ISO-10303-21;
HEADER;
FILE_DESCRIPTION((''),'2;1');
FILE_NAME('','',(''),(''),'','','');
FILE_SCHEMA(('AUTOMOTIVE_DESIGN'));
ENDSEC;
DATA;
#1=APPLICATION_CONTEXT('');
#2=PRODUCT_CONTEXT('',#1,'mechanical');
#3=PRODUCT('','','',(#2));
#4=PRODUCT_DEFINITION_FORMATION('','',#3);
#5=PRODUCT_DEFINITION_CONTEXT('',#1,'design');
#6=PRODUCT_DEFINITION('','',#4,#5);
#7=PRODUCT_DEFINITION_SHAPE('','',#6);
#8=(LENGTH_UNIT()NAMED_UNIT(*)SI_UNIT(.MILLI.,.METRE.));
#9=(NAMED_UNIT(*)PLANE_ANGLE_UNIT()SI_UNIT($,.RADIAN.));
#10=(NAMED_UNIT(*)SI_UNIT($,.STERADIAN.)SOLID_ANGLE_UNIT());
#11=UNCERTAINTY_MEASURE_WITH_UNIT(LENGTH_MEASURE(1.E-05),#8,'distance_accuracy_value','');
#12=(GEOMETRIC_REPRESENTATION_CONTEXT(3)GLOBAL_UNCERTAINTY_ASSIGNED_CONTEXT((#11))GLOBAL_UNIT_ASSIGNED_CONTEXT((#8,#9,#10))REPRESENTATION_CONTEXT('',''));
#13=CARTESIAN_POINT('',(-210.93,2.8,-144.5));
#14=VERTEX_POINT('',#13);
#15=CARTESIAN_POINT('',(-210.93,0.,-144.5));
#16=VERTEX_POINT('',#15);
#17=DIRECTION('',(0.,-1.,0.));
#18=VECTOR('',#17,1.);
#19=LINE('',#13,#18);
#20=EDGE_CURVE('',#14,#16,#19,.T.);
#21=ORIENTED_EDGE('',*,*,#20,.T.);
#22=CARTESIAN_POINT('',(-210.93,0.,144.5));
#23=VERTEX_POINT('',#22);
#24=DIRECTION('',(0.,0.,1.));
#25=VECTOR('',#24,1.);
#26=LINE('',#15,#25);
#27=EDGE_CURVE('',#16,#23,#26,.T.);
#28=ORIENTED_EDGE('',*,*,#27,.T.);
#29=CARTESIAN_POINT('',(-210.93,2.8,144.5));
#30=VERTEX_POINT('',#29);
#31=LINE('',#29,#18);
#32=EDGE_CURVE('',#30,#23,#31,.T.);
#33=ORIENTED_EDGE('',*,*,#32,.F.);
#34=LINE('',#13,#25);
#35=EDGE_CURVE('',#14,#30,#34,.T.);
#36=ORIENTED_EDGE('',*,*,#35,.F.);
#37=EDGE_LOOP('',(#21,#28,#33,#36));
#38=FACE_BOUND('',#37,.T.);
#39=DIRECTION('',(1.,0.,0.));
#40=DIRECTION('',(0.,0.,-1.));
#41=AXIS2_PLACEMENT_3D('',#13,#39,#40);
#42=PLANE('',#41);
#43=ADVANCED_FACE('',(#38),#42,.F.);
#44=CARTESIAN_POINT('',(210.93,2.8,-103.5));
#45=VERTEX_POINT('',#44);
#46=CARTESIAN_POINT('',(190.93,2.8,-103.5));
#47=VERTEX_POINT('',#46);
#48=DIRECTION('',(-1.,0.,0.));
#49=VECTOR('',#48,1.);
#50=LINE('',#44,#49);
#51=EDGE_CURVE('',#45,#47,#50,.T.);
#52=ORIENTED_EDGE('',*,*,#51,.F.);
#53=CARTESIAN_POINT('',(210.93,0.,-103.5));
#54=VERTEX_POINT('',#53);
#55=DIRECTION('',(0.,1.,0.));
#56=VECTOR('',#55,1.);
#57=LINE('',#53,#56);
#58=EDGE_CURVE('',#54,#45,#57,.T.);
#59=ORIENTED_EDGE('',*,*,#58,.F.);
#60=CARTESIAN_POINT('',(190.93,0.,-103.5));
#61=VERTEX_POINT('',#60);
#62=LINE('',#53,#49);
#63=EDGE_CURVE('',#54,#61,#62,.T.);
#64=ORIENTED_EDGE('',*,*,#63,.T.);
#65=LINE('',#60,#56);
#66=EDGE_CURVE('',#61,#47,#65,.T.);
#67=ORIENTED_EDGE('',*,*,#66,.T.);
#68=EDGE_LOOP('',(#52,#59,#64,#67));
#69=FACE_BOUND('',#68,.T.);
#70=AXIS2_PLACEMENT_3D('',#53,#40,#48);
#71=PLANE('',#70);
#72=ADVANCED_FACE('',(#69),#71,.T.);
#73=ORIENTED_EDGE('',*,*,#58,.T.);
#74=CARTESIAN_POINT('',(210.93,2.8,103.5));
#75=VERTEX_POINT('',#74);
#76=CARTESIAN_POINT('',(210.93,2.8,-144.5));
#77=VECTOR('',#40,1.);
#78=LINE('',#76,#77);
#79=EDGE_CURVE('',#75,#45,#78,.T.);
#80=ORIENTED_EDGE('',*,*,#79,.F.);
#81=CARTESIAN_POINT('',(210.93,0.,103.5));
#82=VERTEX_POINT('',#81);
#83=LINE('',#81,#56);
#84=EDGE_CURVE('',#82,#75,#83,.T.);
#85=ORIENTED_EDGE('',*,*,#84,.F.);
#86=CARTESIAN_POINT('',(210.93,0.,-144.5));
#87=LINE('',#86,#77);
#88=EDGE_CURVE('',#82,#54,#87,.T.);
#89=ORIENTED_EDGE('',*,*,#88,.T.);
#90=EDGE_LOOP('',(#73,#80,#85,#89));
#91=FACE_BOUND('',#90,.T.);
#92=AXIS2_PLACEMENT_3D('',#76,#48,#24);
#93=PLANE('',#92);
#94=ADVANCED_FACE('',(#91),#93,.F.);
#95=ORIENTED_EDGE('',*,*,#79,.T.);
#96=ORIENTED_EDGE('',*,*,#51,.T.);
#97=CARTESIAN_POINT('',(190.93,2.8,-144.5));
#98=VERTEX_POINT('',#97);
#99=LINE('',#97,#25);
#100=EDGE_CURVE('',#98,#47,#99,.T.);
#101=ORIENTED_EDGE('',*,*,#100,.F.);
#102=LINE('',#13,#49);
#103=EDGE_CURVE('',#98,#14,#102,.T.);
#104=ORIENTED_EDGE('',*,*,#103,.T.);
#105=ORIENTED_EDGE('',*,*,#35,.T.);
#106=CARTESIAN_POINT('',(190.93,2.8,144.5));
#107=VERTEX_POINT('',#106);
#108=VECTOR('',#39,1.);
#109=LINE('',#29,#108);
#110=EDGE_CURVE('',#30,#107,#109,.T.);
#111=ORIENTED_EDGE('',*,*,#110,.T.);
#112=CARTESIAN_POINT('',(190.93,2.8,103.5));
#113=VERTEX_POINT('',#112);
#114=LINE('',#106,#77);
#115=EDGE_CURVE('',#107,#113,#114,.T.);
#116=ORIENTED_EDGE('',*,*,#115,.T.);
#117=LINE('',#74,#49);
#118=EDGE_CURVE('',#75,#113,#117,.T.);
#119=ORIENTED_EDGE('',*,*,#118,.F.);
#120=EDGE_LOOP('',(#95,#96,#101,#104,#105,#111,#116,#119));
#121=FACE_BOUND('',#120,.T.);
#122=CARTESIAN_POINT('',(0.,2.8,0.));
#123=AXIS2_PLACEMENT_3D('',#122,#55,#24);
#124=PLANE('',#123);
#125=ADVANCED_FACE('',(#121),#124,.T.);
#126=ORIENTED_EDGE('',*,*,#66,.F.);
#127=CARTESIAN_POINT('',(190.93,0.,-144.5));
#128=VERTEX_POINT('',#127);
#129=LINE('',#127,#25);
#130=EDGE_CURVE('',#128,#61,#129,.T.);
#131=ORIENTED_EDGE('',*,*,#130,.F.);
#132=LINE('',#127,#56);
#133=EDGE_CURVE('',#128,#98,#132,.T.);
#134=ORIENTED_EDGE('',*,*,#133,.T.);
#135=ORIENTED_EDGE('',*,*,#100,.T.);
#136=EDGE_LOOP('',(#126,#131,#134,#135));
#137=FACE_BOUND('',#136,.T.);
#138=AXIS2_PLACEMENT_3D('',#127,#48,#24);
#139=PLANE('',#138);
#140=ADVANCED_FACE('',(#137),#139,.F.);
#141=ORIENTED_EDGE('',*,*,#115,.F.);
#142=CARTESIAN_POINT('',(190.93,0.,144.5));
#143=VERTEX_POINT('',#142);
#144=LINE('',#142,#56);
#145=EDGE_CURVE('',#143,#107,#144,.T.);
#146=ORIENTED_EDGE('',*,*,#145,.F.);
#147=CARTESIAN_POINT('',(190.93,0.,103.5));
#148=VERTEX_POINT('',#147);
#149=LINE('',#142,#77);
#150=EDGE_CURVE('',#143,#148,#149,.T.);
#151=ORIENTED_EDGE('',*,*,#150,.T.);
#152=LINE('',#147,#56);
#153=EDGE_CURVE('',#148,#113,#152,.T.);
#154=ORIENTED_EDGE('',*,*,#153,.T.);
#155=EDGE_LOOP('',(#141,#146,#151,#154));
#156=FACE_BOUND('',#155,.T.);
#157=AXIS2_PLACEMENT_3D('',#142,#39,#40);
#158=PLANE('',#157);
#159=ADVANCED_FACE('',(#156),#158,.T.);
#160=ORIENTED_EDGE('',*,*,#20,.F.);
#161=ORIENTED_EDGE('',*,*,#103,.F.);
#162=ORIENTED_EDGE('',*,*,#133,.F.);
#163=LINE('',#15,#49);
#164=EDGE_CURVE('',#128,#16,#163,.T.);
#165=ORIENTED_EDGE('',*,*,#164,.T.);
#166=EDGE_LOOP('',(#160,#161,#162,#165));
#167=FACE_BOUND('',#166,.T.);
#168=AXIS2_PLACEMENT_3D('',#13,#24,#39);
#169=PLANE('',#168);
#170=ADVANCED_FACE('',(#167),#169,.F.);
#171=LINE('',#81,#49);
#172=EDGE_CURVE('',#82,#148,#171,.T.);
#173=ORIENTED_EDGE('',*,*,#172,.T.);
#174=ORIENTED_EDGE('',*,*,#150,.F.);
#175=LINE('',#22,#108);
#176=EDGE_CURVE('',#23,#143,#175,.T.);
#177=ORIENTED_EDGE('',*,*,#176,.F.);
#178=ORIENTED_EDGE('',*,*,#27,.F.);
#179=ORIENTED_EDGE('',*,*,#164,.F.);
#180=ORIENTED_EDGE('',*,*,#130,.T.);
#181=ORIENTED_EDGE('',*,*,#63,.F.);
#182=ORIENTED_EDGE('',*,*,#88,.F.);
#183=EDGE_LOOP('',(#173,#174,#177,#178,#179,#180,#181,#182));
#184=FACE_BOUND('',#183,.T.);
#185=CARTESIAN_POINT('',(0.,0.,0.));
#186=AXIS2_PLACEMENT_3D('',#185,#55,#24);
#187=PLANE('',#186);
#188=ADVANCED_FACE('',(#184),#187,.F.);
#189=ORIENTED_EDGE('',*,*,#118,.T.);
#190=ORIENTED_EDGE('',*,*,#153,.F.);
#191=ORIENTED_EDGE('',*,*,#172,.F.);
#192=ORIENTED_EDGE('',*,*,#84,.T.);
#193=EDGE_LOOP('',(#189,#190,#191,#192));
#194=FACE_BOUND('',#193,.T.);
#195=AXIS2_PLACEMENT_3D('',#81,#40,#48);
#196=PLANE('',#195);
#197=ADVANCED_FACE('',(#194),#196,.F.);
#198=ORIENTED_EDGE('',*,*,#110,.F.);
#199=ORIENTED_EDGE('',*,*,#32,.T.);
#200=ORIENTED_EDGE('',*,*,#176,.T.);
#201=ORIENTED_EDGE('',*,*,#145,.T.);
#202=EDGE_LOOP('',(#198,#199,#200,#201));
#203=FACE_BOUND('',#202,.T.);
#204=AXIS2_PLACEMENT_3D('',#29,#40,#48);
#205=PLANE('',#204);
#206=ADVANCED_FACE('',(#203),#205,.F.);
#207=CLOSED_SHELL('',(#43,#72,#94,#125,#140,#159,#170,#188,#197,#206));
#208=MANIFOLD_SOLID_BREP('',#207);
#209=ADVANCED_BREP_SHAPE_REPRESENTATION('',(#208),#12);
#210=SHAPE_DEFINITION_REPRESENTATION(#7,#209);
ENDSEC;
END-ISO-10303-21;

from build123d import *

# Parameters (mm, degrees)
CROQUIS2_W              = 421.86
CROQUIS2_H              = 289
SALIENTE_EXTRUIR1_DEPTH = 2.8
CROQUIS3_W              = 20
CROQUIS3_H              = 41
CORTAR_EXTRUIR1_DEPTH   = 2.8


with BuildPart() as part:
    # Croquis2 → Saliente-Extruir1 (new body)
    with BuildSketch(Plane(origin=(0, 0, 0), x_dir=(1, 0, 0), z_dir=(0, 1, 0))):
        Rectangle(CROQUIS2_W, CROQUIS2_H)
    extrude(amount=SALIENTE_EXTRUIR1_DEPTH)

    # Croquis3 → Cortar-Extruir1 (cut)
    with BuildSketch(Plane(origin=(0, 2.8, 0), x_dir=(1, 0, 0), z_dir=(0, 1, 0))):
        with Locations((200.93, -124)):
            Rectangle(CROQUIS3_W, CROQUIS3_H)
        with Locations((200.93, 124)):
            Rectangle(CROQUIS3_W, CROQUIS3_H)
    extrude(amount=-CORTAR_EXTRUIR1_DEPTH, mode=Mode.SUBTRACT)


solid = part.part
